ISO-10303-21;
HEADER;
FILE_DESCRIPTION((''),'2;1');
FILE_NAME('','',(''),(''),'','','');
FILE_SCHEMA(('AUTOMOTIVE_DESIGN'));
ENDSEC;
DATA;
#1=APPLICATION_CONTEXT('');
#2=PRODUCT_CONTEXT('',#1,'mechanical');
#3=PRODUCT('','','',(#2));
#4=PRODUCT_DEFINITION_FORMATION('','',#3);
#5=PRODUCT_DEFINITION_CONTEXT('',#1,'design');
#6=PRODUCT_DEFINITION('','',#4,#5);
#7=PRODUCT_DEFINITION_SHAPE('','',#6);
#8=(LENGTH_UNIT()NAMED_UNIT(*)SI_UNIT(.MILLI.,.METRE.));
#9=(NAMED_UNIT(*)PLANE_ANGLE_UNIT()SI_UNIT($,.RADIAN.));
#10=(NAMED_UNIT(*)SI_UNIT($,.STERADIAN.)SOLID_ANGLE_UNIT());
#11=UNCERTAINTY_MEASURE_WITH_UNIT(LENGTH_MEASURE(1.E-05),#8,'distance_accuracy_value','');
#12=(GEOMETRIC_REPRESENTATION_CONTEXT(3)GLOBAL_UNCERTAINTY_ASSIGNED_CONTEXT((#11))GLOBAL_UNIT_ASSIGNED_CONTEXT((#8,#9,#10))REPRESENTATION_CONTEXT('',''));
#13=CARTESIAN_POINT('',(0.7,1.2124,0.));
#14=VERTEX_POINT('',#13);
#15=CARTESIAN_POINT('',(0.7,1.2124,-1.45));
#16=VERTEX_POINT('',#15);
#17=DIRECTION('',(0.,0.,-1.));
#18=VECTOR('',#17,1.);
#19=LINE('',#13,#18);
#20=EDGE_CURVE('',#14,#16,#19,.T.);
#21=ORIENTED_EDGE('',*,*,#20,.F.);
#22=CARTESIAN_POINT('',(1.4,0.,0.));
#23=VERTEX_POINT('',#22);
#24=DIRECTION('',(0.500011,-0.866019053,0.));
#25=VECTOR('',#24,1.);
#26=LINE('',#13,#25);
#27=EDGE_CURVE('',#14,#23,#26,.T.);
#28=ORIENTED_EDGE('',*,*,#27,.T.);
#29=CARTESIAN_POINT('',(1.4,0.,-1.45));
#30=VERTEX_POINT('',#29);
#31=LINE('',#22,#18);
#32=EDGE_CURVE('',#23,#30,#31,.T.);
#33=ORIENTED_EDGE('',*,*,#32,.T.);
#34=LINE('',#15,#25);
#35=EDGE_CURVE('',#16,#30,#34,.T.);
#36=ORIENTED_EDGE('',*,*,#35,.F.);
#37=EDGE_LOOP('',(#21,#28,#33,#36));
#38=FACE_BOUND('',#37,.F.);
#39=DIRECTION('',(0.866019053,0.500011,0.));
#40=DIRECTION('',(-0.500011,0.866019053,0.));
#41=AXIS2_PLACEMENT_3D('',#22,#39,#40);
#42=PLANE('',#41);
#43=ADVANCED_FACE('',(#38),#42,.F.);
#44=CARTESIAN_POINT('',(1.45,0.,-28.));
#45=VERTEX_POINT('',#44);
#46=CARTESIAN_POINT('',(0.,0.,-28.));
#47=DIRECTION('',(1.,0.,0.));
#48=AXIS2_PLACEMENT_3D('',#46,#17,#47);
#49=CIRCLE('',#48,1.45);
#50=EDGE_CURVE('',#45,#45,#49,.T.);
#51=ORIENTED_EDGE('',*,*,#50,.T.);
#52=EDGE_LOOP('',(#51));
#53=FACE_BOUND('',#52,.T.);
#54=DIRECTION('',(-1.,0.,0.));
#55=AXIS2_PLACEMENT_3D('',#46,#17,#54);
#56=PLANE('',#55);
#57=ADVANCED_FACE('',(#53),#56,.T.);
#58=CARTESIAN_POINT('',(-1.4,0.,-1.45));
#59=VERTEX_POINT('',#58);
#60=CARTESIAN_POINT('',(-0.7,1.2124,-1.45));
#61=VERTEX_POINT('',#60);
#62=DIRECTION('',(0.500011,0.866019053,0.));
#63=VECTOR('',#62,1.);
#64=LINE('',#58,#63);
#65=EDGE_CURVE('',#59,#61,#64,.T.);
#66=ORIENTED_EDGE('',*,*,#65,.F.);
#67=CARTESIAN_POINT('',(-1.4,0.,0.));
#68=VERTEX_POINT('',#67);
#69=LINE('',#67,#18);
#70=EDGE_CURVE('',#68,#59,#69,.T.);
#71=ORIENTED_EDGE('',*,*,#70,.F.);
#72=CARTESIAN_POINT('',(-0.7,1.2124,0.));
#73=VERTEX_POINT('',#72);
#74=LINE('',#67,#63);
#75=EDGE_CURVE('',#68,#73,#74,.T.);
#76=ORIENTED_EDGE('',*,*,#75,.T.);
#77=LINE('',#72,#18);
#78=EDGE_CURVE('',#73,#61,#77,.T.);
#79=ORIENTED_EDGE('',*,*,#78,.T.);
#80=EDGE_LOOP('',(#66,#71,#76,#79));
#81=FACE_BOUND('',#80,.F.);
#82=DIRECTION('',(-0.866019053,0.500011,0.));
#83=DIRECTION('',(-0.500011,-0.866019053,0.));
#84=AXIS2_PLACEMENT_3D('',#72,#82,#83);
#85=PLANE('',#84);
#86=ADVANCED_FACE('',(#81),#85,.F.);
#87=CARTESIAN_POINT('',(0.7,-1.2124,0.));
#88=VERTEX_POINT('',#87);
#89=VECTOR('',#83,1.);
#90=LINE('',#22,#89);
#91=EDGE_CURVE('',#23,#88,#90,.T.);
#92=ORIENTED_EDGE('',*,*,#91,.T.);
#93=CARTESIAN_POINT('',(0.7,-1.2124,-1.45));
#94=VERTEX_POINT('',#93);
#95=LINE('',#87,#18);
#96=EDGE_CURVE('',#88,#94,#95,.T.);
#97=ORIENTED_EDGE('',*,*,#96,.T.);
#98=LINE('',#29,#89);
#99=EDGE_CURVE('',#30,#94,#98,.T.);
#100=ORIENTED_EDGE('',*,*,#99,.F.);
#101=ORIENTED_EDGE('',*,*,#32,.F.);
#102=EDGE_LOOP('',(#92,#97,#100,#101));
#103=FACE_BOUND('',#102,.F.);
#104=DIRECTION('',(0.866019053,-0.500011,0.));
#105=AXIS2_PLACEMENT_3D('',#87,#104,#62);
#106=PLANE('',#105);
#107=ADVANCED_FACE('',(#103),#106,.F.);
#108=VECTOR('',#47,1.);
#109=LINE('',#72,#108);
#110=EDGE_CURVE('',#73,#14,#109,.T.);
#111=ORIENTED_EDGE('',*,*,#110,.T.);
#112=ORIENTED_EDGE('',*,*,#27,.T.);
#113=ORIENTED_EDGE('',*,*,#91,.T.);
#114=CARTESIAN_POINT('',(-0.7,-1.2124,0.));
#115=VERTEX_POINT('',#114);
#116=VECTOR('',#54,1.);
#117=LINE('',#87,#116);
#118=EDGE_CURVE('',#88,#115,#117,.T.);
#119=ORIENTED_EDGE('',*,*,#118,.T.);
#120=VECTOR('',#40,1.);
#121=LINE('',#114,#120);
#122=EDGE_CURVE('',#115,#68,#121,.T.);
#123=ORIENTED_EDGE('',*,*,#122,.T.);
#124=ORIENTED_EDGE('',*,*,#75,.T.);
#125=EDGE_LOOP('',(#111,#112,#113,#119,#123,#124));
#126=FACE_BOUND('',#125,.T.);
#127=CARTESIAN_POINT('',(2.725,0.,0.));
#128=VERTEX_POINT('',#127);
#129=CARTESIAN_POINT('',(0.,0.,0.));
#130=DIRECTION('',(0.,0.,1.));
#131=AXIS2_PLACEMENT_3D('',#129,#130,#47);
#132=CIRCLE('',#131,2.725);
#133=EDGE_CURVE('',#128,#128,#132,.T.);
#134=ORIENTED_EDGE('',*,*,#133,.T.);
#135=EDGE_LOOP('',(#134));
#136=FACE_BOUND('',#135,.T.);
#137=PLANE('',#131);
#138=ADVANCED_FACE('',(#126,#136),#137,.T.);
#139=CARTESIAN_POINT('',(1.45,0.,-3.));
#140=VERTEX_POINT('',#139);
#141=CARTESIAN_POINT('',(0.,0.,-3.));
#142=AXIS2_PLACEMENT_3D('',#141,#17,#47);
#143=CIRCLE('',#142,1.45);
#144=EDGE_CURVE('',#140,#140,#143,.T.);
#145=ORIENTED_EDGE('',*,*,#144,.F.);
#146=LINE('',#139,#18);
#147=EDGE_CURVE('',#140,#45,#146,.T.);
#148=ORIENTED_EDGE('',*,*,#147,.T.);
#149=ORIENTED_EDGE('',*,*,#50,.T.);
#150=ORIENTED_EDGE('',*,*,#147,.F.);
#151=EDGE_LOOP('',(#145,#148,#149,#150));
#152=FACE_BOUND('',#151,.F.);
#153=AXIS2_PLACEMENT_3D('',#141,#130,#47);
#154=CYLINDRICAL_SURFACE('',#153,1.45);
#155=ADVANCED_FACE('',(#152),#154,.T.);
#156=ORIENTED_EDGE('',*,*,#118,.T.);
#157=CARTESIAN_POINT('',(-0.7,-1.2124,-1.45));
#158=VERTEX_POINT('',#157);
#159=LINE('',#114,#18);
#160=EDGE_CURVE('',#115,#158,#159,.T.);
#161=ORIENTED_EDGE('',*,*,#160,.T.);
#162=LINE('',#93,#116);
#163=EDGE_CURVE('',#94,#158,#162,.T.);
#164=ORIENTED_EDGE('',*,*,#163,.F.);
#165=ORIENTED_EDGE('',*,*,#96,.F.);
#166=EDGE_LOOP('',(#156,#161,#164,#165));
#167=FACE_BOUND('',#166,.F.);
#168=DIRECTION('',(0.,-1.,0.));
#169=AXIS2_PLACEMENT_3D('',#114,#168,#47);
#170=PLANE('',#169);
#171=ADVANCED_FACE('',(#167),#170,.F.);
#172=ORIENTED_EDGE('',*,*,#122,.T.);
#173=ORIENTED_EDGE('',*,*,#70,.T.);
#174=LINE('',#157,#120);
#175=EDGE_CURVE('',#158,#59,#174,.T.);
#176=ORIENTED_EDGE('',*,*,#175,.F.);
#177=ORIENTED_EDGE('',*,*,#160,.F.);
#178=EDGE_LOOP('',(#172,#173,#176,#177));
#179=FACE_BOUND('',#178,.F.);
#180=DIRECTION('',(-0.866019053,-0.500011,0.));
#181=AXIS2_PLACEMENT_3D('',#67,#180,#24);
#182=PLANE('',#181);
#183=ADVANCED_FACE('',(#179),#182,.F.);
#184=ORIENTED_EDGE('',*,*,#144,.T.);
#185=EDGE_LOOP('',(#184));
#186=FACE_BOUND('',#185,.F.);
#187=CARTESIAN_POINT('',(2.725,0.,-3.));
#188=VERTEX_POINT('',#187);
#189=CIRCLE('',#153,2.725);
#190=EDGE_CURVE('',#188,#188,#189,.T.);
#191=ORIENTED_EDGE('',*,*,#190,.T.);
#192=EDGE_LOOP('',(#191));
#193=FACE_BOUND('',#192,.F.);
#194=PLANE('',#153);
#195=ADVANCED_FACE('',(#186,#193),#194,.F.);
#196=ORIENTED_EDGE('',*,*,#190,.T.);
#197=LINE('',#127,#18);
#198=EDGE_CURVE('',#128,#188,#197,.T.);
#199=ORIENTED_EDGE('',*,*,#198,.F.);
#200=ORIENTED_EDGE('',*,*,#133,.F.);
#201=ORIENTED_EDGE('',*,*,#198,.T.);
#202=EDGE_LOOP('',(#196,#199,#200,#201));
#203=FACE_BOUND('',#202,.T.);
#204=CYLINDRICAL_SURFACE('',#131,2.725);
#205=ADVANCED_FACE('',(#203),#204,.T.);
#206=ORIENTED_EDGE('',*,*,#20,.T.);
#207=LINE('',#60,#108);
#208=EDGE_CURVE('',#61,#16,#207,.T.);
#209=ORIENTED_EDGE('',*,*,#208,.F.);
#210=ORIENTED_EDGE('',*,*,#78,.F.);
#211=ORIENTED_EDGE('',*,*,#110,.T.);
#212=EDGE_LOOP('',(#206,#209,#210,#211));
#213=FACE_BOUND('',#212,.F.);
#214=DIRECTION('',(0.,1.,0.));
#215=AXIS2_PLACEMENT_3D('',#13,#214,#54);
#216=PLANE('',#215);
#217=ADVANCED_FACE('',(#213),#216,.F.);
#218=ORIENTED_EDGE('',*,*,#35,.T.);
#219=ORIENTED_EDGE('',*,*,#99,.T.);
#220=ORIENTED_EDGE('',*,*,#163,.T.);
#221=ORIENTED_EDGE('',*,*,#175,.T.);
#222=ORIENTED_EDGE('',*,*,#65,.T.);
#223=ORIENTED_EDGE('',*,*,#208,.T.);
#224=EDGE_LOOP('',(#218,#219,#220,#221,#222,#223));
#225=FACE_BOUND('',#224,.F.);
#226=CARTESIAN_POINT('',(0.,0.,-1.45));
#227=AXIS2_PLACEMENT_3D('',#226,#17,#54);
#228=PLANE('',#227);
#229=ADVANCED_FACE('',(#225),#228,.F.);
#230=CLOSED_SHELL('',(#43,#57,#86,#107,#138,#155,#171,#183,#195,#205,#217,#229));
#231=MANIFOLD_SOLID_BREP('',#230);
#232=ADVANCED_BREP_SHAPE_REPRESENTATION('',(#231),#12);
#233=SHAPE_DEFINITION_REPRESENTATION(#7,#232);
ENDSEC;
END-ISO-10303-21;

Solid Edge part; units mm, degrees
sketch "Sketch1" plane through (0, 0, 0) normal (0, 0, 1) x (1, 0, 0)
  circle A0 centre (0, 0) radius 2.725
extrude "Protrusion1" add sketch "Sketch1" against normal blind 3
sketch "Sketch2" plane through (0, 0, 0) normal (0, 0, 1) x (1, 0, 0)
  line L0 (-0.7, -1.2124) -> (-1.05, -0.6062)
  line L1 (-1.4, 0) -> (-1.05, -0.6062)
  line L2 (-1.4, 0) -> (-1.05, 0.6062)
  line L3 (-0.7, 1.2124) -> (-1.05, 0.6062)
  line L4 (-0.7, 1.2124) -> (0, 1.2124)
  line L5 (0.7, 1.2124) -> (0, 1.2124)
  line L6 (0.7, 1.2124) -> (1.05, 0.6062)
  line L7 (1.4, 0) -> (1.05, 0.6062)
  line L8 (1.4, 0) -> (1.05, -0.6062)
  line L9 (0.7, -1.2124) -> (1.05, -0.6062)
  line L10 (0.7, -1.2124) -> (0, -1.2124)
  line L11 (-0.7, -1.2124) -> (0, -1.2124)
extrude "ExtrudedCutout_1" cut sketch "Sketch2" against normal blind 1.45
sketch "Sketch3" plane through (0, 0, -3) normal (0, 0, -1) x (1, 0, 0)
  circle A0 centre (0, 0) radius 1.45
extrude "ExtrudedProtrusion_2" add sketch "Sketch3" along normal blind 25
properties material "Stainless steel"
